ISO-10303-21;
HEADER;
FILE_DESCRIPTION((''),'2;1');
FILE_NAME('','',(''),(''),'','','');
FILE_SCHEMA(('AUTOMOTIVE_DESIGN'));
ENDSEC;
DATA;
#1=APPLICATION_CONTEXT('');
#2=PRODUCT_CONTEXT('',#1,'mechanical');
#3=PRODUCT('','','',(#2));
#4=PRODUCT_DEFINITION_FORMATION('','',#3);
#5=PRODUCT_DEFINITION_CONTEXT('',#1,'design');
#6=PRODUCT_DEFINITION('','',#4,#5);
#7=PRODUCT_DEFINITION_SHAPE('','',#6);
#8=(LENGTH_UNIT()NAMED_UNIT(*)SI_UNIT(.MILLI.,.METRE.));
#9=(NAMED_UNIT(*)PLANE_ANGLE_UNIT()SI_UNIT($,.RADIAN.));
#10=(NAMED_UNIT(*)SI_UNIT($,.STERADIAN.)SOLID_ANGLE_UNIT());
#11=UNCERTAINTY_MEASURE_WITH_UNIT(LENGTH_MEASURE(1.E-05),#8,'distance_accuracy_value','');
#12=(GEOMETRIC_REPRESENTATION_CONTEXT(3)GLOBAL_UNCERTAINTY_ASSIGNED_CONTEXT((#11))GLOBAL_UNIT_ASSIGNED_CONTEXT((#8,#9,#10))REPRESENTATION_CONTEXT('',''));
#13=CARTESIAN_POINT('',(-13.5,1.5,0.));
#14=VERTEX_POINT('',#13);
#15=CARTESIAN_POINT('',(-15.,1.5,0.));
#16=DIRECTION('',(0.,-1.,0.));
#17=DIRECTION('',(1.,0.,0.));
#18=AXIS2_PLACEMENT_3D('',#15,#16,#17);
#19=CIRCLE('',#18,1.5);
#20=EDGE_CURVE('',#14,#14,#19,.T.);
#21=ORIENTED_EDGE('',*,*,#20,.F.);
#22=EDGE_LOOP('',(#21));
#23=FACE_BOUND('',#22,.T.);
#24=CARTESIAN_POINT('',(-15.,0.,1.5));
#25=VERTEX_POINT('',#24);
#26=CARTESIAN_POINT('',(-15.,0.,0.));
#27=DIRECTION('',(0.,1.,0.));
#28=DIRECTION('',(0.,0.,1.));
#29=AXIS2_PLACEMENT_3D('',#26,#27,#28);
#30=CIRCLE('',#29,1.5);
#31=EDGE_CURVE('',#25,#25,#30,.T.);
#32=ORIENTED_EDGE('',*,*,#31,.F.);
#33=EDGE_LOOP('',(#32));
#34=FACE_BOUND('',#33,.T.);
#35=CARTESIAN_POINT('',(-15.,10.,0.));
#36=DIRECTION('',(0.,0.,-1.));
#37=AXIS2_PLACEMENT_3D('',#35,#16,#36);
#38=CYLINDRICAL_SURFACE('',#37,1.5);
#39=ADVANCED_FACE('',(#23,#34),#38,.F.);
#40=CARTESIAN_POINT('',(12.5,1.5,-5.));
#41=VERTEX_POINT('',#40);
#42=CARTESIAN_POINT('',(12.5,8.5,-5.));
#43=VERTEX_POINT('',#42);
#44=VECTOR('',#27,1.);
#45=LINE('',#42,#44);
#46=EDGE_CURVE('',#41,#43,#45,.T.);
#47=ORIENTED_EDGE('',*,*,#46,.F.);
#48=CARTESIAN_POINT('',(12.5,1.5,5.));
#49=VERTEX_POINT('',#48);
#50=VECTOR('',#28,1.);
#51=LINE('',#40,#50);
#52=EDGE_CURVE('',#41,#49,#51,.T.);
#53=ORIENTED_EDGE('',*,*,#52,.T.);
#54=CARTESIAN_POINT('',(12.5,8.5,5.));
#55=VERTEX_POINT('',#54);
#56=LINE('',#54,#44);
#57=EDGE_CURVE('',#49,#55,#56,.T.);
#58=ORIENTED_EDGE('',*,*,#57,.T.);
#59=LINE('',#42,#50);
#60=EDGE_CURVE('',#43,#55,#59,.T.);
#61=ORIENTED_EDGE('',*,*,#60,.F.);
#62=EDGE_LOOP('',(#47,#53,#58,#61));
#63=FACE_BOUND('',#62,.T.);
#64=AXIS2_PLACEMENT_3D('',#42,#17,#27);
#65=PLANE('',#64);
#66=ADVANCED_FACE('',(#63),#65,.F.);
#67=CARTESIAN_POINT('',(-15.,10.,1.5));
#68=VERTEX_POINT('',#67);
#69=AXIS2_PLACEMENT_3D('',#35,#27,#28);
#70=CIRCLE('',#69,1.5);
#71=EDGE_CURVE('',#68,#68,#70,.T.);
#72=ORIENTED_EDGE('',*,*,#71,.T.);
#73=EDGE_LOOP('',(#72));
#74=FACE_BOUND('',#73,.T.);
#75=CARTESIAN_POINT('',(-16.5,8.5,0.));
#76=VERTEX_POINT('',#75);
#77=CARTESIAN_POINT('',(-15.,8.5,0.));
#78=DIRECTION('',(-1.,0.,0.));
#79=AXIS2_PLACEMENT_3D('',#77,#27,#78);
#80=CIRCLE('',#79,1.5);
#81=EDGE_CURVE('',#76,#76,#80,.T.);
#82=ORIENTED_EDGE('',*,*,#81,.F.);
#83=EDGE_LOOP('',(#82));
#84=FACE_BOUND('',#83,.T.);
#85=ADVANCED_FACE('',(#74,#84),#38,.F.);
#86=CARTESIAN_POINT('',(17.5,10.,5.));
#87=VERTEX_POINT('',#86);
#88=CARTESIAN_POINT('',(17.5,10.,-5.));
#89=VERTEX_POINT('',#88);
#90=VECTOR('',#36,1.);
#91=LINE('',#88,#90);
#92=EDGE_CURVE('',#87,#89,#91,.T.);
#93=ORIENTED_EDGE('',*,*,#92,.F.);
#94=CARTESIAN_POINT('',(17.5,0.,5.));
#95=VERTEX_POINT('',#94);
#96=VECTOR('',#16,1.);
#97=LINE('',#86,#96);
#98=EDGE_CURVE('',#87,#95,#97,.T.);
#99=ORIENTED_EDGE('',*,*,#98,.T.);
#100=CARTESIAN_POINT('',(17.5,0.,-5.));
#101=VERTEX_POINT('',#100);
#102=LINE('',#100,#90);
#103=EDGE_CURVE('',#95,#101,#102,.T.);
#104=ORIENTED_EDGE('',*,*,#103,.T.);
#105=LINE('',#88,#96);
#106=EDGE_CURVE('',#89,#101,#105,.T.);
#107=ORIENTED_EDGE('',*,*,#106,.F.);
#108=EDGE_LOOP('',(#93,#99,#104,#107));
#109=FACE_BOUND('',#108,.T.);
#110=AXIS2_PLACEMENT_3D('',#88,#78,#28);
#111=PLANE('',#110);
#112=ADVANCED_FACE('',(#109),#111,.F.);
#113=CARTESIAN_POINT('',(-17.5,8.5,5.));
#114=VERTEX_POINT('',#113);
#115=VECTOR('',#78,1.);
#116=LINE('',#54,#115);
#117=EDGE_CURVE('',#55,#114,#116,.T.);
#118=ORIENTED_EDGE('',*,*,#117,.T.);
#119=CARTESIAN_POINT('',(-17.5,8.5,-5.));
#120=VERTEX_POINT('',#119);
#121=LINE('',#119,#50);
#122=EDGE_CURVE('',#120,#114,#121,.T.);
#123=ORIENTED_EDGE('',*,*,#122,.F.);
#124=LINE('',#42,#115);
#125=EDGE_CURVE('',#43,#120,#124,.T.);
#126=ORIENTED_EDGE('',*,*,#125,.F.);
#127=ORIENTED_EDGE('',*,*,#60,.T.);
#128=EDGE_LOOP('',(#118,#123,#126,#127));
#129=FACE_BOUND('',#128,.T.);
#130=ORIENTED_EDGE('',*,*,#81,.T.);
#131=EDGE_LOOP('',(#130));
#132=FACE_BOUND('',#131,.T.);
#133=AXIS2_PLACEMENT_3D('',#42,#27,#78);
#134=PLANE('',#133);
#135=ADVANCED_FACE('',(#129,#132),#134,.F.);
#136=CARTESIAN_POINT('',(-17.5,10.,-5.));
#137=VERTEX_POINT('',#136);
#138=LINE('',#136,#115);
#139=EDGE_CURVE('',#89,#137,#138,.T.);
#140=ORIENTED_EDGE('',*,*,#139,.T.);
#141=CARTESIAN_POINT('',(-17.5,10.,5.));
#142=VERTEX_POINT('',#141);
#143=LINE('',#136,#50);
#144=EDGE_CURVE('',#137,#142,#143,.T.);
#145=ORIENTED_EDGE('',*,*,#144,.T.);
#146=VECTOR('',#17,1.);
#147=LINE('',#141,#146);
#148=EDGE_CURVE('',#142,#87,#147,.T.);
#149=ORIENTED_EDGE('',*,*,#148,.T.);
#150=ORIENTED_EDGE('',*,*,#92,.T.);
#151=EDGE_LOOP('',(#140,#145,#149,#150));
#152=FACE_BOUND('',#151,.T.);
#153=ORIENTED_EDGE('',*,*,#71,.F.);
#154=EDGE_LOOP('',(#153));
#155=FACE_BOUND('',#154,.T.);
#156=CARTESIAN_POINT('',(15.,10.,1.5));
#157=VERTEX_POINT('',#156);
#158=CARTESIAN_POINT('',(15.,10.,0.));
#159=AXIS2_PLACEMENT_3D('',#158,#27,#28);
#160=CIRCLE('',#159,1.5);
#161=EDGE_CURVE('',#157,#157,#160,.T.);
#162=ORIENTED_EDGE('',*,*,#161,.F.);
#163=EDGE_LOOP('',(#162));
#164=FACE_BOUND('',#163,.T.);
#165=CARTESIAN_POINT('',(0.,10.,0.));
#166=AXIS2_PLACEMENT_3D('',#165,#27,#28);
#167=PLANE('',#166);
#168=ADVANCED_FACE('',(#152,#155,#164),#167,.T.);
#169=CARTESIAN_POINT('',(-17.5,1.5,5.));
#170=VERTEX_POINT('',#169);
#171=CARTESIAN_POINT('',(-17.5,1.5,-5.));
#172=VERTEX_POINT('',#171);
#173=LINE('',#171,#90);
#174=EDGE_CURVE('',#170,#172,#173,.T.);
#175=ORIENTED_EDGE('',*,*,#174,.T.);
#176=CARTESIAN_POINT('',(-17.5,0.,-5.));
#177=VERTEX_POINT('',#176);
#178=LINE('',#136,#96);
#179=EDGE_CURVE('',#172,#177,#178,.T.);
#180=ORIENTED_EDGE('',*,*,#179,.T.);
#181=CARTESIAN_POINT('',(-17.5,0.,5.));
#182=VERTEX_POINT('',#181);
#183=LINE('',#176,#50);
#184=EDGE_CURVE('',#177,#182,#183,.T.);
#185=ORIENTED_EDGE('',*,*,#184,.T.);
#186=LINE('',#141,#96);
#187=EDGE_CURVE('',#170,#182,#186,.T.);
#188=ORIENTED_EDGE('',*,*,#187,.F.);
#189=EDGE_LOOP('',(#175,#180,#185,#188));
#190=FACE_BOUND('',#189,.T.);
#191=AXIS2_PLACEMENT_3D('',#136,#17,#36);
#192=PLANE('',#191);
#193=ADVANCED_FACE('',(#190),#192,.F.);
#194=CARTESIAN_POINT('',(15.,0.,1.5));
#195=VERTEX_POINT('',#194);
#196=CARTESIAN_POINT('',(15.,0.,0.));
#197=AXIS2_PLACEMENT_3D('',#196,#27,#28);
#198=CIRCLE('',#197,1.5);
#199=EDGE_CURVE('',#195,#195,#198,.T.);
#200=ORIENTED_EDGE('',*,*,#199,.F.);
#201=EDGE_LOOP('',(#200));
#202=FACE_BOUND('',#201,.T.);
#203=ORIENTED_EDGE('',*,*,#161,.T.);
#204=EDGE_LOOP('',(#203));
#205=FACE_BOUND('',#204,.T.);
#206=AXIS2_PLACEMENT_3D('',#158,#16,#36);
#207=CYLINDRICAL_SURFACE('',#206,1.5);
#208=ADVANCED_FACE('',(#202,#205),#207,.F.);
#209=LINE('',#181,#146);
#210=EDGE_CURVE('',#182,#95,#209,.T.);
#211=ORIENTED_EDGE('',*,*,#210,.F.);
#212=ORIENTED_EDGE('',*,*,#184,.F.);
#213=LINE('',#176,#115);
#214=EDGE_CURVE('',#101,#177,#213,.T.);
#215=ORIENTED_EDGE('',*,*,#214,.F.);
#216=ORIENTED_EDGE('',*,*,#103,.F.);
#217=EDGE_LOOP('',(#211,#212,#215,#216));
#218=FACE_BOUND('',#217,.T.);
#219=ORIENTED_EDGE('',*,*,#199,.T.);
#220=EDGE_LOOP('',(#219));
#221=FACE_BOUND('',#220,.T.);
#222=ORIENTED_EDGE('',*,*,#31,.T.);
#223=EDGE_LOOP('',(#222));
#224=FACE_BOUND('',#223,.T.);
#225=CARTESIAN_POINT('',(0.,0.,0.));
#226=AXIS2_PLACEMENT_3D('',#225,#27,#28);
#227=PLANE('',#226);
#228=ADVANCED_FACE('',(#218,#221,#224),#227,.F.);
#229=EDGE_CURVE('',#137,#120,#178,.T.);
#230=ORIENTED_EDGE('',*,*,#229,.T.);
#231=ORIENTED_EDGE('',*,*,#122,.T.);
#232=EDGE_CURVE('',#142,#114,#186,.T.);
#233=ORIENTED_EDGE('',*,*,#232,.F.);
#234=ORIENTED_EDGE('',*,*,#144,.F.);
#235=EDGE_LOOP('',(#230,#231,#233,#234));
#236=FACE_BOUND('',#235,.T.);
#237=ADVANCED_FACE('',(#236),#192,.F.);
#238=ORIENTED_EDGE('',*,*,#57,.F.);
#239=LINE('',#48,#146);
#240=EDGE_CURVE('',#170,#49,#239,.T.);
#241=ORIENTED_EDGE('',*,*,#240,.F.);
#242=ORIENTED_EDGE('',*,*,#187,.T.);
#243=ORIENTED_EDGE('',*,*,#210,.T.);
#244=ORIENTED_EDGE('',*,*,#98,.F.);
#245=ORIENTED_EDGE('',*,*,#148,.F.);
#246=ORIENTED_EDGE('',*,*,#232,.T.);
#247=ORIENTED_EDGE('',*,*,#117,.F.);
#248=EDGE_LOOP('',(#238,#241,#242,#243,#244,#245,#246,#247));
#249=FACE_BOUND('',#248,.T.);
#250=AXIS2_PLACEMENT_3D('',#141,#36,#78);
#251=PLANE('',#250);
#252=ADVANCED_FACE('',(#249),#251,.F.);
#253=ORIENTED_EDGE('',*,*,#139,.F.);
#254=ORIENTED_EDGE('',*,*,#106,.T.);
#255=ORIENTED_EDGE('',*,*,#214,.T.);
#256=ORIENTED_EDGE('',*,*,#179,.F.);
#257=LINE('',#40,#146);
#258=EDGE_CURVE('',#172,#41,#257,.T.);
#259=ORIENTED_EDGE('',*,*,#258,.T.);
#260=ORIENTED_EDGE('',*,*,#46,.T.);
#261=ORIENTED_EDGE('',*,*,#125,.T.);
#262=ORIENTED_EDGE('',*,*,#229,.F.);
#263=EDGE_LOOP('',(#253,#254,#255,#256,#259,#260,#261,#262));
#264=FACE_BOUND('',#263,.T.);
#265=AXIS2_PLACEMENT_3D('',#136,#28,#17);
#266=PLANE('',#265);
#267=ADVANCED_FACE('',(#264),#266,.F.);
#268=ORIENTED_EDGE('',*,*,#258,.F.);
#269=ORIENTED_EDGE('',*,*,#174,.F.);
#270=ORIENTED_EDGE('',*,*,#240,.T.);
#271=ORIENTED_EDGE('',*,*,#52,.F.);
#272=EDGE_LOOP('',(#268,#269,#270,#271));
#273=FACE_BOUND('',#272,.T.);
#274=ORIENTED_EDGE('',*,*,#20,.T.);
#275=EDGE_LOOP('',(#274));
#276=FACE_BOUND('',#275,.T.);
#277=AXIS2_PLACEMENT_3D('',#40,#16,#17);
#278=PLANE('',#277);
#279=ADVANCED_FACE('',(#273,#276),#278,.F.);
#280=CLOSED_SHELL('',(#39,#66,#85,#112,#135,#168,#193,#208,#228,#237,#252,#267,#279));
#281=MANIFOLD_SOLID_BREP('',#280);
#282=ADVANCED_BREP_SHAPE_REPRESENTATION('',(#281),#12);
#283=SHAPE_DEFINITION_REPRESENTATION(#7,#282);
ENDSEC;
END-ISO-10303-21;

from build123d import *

# Parameters (mm, degrees)
SKETCH1_W           = 35
SKETCH1_H           = 10
SKETCH1_R           = 1.5
BOSS_EXTRUDE1_DEPTH = 10
SKETCH2_W           = 60
SKETCH2_H           = 7
CUT_EXTRUDE1_DEPTH  = 10


with BuildPart() as part:
    # Sketch1 → Boss-Extrude1 (new body)
    with BuildSketch(Plane(origin=(0, 0, 0), x_dir=(1, 0, 0), z_dir=(0, 1, 0))):
        Rectangle(SKETCH1_W, SKETCH1_H)
        with Locations(Location((-15, 0, 0), (0, 0, 270))):
            Circle(SKETCH1_R, mode=Mode.SUBTRACT)
        with Locations(Location((15, 0, 0), (0, 0, 270))):
            Circle(SKETCH1_R, mode=Mode.SUBTRACT)
    extrude(amount=BOSS_EXTRUDE1_DEPTH)

    # Sketch2 → Cut-Extrude1 (cut)
    with BuildSketch(Plane.XY.offset(5)):
        with Locations((-17.5, 5)):
            Rectangle(SKETCH2_W, SKETCH2_H)
    extrude(amount=-CUT_EXTRUDE1_DEPTH, mode=Mode.SUBTRACT)


solid = part.part
